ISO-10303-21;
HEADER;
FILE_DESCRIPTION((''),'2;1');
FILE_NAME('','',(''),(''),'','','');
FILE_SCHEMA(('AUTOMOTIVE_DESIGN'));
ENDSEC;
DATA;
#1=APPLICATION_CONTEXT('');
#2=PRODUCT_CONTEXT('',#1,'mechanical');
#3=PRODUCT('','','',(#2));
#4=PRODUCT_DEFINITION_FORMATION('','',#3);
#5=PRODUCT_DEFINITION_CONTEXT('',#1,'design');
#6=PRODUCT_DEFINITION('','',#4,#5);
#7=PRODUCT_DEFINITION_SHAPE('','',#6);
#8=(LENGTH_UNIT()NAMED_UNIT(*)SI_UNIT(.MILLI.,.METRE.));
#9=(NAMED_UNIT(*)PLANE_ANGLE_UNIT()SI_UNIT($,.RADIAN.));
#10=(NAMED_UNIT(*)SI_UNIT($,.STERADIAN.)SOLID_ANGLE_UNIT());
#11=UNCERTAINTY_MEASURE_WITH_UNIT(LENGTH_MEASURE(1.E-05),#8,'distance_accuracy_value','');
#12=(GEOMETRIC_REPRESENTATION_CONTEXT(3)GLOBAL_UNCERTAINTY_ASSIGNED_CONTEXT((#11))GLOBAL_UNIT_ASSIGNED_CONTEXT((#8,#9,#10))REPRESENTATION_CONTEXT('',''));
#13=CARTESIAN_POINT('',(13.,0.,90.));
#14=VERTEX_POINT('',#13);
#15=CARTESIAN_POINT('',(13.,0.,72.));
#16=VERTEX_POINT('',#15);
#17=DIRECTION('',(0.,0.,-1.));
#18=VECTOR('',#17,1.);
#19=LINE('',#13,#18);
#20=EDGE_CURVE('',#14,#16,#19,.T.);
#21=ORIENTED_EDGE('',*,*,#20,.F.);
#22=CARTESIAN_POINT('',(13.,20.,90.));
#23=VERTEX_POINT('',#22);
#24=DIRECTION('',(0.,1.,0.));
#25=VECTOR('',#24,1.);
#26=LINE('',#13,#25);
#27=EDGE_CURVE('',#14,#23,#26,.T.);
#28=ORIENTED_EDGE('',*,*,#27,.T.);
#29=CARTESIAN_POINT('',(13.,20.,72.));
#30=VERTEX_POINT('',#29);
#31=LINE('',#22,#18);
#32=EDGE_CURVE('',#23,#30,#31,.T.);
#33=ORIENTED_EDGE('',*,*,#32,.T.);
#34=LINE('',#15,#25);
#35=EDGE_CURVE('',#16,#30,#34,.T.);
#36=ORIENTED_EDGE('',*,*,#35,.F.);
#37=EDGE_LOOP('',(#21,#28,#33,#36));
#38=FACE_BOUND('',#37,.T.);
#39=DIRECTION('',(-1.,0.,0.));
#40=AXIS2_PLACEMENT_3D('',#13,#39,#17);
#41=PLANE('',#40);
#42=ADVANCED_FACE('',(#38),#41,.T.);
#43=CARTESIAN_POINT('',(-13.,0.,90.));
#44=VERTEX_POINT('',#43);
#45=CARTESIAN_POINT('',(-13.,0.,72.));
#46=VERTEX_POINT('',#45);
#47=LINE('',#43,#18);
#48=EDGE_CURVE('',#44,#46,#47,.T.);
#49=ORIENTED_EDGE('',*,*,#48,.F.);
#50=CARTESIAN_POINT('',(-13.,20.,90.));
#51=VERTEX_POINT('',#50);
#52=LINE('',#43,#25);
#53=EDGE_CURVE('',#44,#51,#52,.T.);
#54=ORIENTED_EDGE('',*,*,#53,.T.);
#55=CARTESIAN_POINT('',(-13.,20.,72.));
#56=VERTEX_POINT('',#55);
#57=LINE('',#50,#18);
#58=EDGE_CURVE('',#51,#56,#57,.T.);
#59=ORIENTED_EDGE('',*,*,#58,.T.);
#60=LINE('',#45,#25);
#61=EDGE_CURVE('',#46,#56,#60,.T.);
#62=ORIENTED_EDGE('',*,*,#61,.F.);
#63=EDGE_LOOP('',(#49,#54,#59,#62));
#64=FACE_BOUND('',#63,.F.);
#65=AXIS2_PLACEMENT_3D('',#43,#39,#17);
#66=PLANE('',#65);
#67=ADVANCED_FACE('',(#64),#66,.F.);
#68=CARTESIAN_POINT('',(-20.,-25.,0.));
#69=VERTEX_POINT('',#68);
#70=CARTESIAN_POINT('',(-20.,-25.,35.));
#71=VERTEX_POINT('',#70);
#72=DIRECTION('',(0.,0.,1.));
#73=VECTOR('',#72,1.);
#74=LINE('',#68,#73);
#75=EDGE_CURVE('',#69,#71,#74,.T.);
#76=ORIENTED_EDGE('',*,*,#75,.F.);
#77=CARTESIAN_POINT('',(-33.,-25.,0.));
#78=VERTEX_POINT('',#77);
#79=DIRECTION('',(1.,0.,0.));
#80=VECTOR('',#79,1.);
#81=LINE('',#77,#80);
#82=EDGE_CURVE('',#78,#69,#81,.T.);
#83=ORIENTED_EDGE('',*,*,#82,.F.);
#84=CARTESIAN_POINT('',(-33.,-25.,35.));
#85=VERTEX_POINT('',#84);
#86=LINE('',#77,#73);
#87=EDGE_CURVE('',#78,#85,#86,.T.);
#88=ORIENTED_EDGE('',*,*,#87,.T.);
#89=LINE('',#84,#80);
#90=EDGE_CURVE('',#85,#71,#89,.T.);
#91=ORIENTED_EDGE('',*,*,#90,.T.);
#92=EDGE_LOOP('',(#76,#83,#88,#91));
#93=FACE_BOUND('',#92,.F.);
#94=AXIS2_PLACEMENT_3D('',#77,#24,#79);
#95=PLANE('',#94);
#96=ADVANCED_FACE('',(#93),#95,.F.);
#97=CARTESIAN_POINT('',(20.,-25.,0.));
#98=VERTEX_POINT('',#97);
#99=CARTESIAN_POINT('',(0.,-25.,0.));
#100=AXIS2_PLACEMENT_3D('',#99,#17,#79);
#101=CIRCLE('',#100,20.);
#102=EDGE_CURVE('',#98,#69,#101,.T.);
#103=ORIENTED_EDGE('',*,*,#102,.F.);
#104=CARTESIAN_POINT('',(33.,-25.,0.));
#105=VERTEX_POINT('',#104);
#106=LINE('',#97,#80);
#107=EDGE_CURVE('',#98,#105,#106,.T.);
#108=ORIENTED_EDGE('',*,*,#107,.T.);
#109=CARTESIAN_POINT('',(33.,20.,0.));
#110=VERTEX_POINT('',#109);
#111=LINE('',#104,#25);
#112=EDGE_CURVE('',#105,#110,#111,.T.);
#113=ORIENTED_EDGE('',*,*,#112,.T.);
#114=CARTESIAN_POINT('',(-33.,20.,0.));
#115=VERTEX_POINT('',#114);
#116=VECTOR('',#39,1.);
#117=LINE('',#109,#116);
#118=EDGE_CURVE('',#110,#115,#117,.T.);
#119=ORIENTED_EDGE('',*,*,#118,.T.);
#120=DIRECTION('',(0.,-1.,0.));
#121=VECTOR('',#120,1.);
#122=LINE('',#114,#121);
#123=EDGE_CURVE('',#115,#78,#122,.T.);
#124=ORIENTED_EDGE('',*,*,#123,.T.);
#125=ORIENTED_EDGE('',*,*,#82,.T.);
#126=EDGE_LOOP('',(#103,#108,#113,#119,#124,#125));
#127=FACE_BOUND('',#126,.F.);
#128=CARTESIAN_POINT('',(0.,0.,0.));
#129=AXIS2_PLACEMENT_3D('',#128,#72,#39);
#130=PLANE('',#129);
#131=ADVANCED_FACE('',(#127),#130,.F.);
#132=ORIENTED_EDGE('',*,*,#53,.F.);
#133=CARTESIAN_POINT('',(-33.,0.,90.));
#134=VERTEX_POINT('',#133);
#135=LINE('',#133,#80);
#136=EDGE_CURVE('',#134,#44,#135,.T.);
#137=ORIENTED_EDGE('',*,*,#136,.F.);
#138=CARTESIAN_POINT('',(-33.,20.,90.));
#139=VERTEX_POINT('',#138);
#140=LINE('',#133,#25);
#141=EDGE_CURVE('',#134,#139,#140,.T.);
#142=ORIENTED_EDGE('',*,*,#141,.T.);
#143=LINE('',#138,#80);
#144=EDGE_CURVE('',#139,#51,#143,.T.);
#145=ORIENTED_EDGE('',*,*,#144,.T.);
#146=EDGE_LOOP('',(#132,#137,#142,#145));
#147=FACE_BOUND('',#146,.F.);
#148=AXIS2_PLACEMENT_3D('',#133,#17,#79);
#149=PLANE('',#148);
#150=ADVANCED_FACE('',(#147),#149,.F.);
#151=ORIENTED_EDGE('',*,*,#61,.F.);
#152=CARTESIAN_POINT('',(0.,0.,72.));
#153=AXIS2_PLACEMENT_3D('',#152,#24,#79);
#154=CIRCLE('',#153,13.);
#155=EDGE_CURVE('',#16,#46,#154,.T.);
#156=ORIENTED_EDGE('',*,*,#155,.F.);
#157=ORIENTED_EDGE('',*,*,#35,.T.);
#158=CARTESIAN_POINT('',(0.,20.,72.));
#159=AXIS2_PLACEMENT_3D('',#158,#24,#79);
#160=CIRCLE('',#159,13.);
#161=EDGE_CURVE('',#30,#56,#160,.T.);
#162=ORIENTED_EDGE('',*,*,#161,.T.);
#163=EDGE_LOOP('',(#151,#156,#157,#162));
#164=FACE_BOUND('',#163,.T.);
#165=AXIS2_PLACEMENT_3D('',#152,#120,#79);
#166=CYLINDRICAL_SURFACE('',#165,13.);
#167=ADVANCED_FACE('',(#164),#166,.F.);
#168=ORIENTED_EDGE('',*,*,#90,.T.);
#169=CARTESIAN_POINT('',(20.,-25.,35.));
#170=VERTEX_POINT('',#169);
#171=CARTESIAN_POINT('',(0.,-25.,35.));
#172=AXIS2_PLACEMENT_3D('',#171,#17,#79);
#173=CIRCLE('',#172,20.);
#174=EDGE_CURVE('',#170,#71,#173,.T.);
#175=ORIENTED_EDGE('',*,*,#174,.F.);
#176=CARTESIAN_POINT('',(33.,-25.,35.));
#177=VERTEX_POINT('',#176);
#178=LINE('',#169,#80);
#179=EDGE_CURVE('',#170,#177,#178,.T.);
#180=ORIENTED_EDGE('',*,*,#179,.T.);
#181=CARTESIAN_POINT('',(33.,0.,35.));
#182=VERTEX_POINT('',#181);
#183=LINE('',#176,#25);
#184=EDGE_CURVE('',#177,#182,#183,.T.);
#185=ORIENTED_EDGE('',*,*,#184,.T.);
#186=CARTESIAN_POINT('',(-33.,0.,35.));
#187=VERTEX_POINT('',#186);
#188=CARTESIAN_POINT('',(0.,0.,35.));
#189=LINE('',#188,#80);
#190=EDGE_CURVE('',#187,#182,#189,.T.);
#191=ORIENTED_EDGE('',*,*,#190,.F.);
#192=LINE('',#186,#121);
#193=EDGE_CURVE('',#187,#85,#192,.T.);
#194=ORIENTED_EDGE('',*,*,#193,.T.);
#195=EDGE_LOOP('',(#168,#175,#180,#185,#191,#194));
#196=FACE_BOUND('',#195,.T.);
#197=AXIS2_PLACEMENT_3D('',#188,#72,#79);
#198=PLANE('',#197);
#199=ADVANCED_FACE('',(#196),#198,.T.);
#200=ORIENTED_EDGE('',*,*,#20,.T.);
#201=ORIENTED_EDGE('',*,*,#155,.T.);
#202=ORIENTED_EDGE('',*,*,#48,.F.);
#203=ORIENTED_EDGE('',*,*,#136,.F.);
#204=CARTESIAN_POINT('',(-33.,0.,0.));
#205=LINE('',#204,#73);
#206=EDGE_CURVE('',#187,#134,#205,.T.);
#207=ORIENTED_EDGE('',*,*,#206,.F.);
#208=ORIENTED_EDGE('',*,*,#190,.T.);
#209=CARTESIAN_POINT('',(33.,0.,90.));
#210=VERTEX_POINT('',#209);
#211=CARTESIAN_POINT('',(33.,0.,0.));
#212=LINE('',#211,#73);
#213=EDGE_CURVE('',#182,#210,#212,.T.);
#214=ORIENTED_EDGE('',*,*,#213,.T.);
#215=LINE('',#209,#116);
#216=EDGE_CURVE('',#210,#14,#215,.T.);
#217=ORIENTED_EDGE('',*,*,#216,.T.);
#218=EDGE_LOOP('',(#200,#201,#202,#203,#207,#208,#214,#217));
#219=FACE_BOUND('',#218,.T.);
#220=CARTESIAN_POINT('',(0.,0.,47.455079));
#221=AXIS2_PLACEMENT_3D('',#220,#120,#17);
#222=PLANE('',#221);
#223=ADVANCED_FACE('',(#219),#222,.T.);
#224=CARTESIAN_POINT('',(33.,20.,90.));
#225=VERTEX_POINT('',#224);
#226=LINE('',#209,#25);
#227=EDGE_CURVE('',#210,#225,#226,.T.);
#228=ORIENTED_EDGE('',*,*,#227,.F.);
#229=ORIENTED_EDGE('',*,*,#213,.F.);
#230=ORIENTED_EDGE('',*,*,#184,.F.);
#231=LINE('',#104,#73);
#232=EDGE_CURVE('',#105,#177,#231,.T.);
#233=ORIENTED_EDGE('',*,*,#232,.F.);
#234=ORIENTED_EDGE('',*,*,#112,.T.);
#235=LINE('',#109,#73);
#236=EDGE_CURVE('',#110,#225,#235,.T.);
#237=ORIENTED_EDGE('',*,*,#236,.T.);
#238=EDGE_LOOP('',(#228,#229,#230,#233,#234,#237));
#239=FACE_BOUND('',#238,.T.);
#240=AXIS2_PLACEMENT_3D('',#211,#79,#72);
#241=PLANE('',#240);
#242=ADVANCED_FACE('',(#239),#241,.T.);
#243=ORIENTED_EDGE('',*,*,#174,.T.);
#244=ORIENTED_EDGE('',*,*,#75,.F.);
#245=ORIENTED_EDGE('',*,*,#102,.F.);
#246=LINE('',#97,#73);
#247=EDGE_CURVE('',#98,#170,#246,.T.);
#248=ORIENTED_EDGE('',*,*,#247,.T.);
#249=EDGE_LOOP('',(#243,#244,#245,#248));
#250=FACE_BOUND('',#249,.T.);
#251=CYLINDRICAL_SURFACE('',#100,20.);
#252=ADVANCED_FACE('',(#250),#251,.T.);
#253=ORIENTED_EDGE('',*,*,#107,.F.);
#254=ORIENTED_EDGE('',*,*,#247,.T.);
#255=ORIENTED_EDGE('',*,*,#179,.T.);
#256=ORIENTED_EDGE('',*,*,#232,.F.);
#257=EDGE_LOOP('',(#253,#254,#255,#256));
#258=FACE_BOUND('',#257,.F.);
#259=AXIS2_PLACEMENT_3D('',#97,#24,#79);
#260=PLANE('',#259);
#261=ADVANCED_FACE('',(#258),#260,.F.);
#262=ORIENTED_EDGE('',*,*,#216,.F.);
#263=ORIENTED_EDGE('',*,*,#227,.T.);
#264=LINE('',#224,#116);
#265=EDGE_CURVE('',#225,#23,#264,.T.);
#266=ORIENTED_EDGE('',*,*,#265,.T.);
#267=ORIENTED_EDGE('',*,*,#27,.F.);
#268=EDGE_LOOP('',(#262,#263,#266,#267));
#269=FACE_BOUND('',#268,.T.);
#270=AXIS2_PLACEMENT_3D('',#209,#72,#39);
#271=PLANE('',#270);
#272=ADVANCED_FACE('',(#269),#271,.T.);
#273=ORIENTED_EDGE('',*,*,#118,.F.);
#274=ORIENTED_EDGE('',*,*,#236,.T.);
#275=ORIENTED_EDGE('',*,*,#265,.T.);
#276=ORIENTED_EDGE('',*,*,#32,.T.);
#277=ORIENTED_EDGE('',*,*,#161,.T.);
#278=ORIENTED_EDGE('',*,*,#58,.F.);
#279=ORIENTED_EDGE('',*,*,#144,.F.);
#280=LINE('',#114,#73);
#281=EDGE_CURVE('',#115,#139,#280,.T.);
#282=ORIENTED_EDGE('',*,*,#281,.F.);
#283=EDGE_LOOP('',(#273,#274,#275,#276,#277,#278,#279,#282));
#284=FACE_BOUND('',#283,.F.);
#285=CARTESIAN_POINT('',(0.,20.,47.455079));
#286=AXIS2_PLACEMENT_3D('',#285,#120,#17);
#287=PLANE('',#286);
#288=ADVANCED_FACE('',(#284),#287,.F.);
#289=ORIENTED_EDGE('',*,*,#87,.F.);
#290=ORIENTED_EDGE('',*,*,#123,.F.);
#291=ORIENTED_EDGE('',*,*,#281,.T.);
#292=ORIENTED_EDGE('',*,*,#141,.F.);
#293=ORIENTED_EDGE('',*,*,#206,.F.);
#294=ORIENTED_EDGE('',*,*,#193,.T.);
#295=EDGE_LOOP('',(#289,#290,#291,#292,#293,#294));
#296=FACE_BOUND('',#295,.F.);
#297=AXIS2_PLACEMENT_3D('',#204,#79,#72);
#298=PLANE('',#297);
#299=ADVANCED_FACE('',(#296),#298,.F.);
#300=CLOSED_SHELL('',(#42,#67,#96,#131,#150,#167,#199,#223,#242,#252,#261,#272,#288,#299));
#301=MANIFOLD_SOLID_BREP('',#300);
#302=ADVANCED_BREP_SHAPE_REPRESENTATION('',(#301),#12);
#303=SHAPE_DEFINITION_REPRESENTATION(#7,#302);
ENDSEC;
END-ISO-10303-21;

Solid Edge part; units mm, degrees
sketch "Sketch1" plane through (0, 0, 0) normal (0, -1, 0) x (1, 0, 0)
  line L0 (13, 90) -> (13, 72)
  line L1 (-13, 90) -> (-13, 72)
  line L2 (-33, 90) -> (-13, 90)
  line L3 (-33, 0) -> (-33, 90)
  line L4 (0, 0) -> (-33, 0)
  line L5 (0, 0) -> (33, 0)
  line L6 (33, 0) -> (33, 90)
  line L7 (33, 90) -> (13, 90)
  arc A0 (13, 72) -> (-13, 72) centre (0, 72) cw
extrude "Protrusion1" add sketch "Sketch1" against normal blind 20
sketch "Sketch2" plane through (0, 0, 0) normal (0, 0, 1) x (1, 0, 0)
  line L0 (-33, 0) -> (-33, -25)
  line L1 (-33, -25) -> (-20, -25)
  line L2 (20, -25) -> (33, -25)
  line L3 (33, -25) -> (33, 0)
  arc A0 (20, -25) -> (-20, -25) centre (0, -25) cw
extrude "ExtrudedProtrusion_2" add sketch "Sketch2" along normal blind 35 material side at (-32.95, -12.5, 0)
